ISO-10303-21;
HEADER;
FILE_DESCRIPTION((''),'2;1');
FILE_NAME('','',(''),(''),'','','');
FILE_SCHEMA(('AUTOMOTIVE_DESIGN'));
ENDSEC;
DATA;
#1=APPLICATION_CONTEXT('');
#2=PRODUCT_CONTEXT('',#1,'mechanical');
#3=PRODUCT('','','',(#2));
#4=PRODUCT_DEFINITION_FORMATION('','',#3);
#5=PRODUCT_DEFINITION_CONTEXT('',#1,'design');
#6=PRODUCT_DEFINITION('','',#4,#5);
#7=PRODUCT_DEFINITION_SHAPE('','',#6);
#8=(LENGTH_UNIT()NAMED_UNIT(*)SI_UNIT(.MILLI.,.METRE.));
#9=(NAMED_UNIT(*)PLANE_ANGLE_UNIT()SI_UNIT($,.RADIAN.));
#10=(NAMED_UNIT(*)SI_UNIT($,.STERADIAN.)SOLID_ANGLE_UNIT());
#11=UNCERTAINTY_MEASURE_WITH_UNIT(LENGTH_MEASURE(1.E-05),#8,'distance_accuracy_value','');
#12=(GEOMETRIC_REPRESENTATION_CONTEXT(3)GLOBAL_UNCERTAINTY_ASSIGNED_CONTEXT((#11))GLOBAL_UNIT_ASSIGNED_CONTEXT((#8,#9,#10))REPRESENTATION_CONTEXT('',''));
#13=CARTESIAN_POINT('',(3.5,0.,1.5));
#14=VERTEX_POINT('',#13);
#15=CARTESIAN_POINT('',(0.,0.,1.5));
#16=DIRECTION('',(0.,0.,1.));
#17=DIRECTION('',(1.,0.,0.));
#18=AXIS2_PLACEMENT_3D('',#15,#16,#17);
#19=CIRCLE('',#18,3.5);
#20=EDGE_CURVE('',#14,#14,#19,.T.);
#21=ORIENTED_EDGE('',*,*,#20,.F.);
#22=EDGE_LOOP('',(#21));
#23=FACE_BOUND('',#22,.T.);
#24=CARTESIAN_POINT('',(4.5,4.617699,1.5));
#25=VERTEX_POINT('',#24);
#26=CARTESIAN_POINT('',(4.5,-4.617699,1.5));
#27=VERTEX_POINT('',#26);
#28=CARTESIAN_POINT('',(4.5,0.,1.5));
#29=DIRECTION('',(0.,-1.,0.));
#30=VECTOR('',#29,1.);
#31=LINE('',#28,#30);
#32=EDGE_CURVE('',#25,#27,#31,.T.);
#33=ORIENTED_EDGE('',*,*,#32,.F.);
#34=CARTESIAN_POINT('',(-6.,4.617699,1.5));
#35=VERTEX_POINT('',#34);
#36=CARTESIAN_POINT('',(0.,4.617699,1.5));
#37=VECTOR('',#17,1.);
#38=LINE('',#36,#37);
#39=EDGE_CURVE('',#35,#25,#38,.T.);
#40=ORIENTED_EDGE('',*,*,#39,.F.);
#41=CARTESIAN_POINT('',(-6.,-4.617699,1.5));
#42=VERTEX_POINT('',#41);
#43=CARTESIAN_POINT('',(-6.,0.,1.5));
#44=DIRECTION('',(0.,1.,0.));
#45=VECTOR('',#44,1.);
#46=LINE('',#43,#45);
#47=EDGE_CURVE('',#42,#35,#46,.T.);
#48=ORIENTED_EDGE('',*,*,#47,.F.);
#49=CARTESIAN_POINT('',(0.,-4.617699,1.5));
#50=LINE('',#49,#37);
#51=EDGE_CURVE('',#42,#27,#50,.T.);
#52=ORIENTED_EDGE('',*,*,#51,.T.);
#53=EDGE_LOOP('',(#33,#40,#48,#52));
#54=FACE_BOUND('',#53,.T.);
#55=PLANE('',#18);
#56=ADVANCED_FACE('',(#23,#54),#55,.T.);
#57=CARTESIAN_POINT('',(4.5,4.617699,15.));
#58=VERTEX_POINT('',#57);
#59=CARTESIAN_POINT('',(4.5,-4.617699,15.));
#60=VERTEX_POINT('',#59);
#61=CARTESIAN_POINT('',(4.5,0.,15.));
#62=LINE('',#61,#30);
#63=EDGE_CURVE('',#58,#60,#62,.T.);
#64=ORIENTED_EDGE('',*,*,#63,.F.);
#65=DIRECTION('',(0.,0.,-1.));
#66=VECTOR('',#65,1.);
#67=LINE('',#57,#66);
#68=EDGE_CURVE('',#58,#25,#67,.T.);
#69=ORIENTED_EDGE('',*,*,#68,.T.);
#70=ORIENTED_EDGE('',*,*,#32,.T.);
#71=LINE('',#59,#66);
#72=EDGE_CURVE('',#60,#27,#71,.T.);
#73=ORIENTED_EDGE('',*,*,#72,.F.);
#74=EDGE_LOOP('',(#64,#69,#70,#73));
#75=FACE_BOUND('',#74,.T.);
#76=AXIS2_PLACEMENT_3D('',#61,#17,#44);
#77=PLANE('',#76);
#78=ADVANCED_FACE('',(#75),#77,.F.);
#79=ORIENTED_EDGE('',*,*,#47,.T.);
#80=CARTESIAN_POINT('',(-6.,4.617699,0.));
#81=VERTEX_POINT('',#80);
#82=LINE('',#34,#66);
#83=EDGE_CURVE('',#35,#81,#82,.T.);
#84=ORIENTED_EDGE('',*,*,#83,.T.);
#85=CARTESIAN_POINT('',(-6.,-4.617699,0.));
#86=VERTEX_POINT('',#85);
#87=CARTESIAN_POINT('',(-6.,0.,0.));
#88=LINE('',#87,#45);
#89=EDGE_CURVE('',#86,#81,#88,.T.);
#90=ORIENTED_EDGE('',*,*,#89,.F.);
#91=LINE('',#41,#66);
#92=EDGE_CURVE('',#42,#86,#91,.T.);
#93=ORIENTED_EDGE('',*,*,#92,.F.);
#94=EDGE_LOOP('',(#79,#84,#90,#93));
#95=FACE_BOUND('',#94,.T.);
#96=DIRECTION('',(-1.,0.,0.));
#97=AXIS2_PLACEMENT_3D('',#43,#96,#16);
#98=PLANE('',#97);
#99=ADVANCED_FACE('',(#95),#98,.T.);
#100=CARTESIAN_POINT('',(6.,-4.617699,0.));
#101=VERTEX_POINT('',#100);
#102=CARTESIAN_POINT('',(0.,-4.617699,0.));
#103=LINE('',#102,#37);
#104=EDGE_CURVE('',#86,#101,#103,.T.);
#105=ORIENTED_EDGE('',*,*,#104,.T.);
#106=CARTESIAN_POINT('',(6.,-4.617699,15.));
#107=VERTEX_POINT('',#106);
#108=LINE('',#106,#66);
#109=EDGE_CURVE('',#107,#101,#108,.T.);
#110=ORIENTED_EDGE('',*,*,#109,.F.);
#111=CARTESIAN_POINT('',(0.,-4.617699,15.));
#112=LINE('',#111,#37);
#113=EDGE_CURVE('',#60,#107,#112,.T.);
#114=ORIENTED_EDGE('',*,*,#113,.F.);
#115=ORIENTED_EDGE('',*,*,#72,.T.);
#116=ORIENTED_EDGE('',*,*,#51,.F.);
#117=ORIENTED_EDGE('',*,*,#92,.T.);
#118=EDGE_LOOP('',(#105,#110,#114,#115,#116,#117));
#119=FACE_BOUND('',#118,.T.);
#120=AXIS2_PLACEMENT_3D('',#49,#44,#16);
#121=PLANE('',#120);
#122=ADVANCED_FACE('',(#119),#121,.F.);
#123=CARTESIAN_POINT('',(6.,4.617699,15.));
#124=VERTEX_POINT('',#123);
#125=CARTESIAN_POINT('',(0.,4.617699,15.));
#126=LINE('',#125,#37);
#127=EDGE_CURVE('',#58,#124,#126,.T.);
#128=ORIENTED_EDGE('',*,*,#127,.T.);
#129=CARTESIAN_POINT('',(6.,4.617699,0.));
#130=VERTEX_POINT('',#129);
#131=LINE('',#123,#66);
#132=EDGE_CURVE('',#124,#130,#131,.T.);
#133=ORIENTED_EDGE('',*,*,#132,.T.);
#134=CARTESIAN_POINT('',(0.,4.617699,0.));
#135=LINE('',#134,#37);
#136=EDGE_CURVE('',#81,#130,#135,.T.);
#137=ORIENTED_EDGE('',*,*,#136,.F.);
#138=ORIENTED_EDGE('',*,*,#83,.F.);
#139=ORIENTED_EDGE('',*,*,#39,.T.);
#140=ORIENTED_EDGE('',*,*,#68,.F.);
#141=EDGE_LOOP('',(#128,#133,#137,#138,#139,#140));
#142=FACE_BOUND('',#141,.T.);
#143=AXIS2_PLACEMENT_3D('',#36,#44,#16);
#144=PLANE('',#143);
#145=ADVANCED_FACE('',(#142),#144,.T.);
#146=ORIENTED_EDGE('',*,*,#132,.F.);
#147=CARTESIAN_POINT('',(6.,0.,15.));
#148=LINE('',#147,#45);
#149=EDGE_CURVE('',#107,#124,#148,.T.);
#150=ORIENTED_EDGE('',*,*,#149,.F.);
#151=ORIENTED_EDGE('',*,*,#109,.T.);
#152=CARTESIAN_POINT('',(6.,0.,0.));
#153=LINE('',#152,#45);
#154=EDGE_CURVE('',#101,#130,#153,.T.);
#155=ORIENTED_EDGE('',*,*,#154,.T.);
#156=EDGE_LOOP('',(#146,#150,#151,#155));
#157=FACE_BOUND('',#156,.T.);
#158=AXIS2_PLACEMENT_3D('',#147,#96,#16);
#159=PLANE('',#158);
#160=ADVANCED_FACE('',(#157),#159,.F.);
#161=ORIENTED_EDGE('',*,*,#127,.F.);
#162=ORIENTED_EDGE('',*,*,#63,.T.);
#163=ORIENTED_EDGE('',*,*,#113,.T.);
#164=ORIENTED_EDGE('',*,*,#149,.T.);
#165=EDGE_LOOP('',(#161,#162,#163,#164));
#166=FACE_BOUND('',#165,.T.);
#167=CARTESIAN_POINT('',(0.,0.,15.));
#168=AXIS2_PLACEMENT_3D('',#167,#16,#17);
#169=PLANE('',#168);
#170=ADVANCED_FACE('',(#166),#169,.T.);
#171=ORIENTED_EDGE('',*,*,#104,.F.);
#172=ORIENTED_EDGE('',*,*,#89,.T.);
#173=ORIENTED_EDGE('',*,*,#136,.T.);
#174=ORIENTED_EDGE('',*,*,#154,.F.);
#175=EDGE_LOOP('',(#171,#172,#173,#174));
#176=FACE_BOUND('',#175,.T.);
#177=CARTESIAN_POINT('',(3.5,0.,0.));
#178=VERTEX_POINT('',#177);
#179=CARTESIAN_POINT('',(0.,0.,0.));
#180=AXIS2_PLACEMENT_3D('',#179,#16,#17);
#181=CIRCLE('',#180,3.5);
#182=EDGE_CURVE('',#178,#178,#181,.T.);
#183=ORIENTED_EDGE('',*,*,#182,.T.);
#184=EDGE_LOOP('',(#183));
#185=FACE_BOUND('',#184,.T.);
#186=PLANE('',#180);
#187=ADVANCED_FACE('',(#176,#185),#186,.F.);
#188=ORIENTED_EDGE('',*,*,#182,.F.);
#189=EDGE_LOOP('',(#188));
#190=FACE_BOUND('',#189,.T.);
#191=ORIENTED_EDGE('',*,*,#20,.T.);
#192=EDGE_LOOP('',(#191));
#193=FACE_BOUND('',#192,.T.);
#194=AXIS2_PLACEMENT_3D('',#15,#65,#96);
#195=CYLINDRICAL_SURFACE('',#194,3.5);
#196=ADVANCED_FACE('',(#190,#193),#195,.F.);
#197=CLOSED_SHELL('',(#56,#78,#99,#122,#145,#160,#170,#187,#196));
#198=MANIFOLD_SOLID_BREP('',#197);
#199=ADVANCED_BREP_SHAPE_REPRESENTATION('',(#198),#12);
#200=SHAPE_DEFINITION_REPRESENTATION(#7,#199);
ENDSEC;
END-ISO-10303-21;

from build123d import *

# Parameters (mm, degrees)
SKETCH1_W           = 10.5
SKETCH1_H           = 9.235397934
SKETCH1_R           = 3.5
BOSS_EXTRUDE1_DEPTH = 1.5
SKETCH1_3_W         = 1.5
SKETCH1_3_H         = 9.235397934
BOSS_EXTRUDE2_DEPTH = 15


with BuildPart() as part:
    # Sketch1 → Boss-Extrude1 (new body)
    with BuildSketch(Plane.XY):
        with Locations((-0.75, 0)):
            Rectangle(SKETCH1_W, SKETCH1_H)
        Circle(SKETCH1_R, mode=Mode.SUBTRACT)
    extrude(amount=BOSS_EXTRUDE1_DEPTH)

    # Sketch1<3> → Boss-Extrude2 (add)
    with BuildSketch(Plane.XY):
        with Locations((5.25, 0)):
            Rectangle(SKETCH1_3_W, SKETCH1_3_H)
    extrude(amount=BOSS_EXTRUDE2_DEPTH)


solid = part.part
